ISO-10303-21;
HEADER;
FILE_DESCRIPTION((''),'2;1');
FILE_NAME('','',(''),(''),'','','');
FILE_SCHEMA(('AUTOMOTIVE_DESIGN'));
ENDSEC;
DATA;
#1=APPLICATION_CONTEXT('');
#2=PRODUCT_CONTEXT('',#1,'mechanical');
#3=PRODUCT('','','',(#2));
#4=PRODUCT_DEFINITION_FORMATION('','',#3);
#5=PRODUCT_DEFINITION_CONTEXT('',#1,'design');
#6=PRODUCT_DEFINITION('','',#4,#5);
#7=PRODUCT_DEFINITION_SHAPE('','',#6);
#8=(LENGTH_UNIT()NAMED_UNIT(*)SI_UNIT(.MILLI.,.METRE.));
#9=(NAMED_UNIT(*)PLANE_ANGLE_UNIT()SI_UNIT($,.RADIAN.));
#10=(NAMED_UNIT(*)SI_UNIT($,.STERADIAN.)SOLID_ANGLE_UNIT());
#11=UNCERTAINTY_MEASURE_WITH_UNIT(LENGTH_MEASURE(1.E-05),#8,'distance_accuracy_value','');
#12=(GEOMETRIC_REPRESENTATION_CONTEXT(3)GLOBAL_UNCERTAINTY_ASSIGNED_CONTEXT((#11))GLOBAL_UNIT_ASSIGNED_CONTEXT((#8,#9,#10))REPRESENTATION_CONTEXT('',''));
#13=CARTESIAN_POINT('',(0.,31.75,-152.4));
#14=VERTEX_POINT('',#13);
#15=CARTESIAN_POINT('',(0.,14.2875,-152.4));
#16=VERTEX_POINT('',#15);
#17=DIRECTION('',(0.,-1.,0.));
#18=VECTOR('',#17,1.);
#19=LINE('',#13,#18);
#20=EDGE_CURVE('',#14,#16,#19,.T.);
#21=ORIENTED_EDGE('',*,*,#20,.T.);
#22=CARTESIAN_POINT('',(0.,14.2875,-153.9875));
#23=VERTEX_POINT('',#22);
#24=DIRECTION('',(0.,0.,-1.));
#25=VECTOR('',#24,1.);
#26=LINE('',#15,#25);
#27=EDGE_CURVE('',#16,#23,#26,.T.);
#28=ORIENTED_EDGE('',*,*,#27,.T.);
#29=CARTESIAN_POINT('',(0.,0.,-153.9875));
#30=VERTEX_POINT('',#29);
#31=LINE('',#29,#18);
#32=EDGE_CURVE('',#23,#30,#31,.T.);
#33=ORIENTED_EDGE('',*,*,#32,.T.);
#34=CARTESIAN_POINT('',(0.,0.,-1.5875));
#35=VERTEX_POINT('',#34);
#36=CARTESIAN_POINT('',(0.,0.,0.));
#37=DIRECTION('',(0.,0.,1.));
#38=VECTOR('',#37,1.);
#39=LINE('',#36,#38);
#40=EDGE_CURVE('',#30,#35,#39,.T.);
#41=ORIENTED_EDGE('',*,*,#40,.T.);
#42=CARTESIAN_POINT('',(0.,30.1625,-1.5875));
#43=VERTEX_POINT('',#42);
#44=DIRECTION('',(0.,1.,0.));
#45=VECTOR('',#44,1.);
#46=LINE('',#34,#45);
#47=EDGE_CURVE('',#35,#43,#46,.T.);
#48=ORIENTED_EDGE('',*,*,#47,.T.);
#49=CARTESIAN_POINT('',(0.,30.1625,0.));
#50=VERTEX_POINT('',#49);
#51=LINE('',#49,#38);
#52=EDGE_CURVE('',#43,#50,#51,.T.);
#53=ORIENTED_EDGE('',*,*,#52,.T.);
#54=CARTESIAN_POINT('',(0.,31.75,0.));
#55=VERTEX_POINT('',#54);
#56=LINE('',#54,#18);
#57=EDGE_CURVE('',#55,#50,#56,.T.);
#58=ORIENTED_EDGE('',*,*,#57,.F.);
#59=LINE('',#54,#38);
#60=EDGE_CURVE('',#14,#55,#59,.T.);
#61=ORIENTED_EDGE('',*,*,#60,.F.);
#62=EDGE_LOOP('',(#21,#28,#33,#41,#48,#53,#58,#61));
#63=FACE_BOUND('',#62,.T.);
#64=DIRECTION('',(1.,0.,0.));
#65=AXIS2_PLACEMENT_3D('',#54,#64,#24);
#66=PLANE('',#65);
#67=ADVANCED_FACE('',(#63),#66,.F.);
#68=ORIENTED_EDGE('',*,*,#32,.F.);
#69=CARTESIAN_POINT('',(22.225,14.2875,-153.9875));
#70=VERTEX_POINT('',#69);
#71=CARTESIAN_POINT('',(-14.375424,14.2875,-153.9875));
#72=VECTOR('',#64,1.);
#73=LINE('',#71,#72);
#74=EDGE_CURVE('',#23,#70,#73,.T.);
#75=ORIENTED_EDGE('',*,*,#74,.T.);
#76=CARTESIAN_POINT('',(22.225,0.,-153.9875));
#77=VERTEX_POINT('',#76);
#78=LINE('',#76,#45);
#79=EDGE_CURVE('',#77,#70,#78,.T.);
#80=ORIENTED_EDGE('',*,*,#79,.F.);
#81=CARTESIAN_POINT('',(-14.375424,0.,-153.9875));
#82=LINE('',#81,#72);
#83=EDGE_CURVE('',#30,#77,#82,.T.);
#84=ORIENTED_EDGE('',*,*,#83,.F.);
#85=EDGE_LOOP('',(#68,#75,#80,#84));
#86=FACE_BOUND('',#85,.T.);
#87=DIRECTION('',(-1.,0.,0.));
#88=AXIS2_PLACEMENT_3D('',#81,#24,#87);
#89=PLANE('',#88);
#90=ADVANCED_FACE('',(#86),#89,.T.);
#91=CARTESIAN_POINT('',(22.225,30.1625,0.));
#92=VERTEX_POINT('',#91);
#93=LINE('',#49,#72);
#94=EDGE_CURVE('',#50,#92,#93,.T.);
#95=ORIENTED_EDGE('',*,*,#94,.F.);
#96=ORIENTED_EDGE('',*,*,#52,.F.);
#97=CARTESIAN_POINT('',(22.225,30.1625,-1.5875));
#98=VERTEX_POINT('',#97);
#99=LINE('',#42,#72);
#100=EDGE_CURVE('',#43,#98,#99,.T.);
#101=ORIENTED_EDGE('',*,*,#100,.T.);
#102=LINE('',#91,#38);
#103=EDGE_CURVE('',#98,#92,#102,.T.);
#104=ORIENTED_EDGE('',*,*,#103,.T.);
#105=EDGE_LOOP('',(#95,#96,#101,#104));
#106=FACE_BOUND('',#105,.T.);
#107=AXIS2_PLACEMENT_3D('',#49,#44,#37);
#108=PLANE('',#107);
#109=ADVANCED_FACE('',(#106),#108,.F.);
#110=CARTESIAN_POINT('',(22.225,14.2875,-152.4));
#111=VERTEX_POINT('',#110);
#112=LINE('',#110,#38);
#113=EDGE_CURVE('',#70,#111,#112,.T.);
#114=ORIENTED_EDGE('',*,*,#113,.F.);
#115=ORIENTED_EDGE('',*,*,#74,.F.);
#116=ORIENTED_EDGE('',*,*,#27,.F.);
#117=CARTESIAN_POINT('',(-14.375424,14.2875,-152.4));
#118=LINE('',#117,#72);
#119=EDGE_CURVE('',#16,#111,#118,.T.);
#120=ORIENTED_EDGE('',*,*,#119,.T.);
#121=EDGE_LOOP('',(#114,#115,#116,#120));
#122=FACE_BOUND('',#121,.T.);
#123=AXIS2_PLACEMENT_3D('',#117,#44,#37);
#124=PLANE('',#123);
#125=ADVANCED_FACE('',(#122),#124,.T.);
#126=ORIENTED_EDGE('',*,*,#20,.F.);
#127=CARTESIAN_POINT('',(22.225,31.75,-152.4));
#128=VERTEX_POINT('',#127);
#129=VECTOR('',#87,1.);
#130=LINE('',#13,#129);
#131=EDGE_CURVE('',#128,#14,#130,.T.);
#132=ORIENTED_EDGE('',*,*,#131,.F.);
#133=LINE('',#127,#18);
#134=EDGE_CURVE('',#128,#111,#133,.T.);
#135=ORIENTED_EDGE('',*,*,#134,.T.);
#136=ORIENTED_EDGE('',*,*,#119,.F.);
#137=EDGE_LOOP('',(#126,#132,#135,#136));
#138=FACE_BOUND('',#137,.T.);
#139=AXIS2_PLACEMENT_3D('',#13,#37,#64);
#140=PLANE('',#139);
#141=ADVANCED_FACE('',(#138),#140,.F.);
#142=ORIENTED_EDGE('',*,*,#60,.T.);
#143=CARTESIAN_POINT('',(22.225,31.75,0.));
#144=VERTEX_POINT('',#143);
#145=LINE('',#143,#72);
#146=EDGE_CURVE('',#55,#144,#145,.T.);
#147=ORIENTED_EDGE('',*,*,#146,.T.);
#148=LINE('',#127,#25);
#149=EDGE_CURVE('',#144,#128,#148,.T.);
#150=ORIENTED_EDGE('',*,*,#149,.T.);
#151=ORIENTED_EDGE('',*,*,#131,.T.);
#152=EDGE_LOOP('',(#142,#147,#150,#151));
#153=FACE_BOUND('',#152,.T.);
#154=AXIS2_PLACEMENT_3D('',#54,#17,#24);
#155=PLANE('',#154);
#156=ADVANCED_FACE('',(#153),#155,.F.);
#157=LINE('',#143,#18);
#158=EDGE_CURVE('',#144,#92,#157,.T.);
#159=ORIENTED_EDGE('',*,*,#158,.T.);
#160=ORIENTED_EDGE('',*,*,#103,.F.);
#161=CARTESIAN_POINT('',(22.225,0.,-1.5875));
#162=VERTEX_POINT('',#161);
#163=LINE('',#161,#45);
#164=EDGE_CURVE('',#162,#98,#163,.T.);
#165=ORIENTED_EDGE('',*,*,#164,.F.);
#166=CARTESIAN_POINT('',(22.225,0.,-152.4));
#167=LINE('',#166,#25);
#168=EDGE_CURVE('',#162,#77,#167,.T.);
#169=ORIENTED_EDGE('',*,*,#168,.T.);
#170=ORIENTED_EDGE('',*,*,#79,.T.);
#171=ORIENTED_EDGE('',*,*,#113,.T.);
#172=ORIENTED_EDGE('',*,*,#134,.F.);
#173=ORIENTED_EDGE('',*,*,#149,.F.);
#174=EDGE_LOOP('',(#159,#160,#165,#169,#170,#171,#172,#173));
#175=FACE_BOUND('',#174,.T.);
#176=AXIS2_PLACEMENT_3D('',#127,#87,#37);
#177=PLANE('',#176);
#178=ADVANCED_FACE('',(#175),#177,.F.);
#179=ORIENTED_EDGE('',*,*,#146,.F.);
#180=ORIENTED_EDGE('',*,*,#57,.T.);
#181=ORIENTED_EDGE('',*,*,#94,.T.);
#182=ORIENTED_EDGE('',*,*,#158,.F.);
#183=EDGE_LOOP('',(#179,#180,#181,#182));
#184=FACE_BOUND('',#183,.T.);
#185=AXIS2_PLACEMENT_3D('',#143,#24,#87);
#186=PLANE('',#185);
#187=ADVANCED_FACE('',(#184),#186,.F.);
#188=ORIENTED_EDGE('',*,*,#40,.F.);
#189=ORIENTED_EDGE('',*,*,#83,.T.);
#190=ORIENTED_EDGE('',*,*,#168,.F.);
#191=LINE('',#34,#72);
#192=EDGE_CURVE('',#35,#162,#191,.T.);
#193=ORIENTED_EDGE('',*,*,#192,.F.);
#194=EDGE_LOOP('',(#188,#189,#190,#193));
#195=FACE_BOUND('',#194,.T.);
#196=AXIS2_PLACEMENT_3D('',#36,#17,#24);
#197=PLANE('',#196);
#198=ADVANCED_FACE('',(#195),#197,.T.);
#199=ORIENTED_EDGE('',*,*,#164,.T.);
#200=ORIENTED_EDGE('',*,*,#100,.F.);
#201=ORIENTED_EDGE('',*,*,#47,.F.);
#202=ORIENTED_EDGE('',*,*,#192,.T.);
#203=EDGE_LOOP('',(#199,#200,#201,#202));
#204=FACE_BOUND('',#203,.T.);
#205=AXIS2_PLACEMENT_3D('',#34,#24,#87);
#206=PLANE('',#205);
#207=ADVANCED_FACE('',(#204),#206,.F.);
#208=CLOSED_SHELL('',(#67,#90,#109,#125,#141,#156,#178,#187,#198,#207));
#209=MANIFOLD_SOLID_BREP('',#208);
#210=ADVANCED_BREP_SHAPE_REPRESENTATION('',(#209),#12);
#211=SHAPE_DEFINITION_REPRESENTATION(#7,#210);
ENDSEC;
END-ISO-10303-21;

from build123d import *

# Parameters (mm, degrees)
SKETCH1_W           = 22.225
SKETCH1_H           = 152.4
BOSS_EXTRUDE1_DEPTH = 31.75
SKETCH2_W           = 1.5875
SKETCH2_H           = 30.1625
CUT_EXTRUDE1_DEPTH  = 23.225
SKETCH3_W           = 1.5875
SKETCH3_H           = 14.2875
BOSS_EXTRUDE2_DEPTH = 22.225


with BuildPart() as part:
    # Sketch1 → Boss-Extrude1 (new body)
    with BuildSketch(Plane(origin=(0, 0, 0), x_dir=(1, 0, 0), z_dir=(0, 1, 0))):
        with Locations((11.1125, 76.2)):
            Rectangle(SKETCH1_W, SKETCH1_H)
    extrude(amount=BOSS_EXTRUDE1_DEPTH)

    # Sketch2 → Cut-Extrude1 (cut, through all)
    with BuildSketch(Plane(origin=(22.225, 0, 0), x_dir=(0, 0, -1), z_dir=(1, 0, 0))):
        with Locations((0.79375, 15.08125)):
            Rectangle(SKETCH2_W, SKETCH2_H)
    extrude(amount=-CUT_EXTRUDE1_DEPTH, mode=Mode.SUBTRACT)

    # Sketch3 → Boss-Extrude2 (add)
    with BuildSketch(Plane(origin=(22.225, 0, 0), x_dir=(0, 0, -1), z_dir=(1, 0, 0))):
        with Locations((153.19375, 7.14375)):
            Rectangle(SKETCH3_W, SKETCH3_H)
    extrude(amount=-BOSS_EXTRUDE2_DEPTH)


solid = part.part
